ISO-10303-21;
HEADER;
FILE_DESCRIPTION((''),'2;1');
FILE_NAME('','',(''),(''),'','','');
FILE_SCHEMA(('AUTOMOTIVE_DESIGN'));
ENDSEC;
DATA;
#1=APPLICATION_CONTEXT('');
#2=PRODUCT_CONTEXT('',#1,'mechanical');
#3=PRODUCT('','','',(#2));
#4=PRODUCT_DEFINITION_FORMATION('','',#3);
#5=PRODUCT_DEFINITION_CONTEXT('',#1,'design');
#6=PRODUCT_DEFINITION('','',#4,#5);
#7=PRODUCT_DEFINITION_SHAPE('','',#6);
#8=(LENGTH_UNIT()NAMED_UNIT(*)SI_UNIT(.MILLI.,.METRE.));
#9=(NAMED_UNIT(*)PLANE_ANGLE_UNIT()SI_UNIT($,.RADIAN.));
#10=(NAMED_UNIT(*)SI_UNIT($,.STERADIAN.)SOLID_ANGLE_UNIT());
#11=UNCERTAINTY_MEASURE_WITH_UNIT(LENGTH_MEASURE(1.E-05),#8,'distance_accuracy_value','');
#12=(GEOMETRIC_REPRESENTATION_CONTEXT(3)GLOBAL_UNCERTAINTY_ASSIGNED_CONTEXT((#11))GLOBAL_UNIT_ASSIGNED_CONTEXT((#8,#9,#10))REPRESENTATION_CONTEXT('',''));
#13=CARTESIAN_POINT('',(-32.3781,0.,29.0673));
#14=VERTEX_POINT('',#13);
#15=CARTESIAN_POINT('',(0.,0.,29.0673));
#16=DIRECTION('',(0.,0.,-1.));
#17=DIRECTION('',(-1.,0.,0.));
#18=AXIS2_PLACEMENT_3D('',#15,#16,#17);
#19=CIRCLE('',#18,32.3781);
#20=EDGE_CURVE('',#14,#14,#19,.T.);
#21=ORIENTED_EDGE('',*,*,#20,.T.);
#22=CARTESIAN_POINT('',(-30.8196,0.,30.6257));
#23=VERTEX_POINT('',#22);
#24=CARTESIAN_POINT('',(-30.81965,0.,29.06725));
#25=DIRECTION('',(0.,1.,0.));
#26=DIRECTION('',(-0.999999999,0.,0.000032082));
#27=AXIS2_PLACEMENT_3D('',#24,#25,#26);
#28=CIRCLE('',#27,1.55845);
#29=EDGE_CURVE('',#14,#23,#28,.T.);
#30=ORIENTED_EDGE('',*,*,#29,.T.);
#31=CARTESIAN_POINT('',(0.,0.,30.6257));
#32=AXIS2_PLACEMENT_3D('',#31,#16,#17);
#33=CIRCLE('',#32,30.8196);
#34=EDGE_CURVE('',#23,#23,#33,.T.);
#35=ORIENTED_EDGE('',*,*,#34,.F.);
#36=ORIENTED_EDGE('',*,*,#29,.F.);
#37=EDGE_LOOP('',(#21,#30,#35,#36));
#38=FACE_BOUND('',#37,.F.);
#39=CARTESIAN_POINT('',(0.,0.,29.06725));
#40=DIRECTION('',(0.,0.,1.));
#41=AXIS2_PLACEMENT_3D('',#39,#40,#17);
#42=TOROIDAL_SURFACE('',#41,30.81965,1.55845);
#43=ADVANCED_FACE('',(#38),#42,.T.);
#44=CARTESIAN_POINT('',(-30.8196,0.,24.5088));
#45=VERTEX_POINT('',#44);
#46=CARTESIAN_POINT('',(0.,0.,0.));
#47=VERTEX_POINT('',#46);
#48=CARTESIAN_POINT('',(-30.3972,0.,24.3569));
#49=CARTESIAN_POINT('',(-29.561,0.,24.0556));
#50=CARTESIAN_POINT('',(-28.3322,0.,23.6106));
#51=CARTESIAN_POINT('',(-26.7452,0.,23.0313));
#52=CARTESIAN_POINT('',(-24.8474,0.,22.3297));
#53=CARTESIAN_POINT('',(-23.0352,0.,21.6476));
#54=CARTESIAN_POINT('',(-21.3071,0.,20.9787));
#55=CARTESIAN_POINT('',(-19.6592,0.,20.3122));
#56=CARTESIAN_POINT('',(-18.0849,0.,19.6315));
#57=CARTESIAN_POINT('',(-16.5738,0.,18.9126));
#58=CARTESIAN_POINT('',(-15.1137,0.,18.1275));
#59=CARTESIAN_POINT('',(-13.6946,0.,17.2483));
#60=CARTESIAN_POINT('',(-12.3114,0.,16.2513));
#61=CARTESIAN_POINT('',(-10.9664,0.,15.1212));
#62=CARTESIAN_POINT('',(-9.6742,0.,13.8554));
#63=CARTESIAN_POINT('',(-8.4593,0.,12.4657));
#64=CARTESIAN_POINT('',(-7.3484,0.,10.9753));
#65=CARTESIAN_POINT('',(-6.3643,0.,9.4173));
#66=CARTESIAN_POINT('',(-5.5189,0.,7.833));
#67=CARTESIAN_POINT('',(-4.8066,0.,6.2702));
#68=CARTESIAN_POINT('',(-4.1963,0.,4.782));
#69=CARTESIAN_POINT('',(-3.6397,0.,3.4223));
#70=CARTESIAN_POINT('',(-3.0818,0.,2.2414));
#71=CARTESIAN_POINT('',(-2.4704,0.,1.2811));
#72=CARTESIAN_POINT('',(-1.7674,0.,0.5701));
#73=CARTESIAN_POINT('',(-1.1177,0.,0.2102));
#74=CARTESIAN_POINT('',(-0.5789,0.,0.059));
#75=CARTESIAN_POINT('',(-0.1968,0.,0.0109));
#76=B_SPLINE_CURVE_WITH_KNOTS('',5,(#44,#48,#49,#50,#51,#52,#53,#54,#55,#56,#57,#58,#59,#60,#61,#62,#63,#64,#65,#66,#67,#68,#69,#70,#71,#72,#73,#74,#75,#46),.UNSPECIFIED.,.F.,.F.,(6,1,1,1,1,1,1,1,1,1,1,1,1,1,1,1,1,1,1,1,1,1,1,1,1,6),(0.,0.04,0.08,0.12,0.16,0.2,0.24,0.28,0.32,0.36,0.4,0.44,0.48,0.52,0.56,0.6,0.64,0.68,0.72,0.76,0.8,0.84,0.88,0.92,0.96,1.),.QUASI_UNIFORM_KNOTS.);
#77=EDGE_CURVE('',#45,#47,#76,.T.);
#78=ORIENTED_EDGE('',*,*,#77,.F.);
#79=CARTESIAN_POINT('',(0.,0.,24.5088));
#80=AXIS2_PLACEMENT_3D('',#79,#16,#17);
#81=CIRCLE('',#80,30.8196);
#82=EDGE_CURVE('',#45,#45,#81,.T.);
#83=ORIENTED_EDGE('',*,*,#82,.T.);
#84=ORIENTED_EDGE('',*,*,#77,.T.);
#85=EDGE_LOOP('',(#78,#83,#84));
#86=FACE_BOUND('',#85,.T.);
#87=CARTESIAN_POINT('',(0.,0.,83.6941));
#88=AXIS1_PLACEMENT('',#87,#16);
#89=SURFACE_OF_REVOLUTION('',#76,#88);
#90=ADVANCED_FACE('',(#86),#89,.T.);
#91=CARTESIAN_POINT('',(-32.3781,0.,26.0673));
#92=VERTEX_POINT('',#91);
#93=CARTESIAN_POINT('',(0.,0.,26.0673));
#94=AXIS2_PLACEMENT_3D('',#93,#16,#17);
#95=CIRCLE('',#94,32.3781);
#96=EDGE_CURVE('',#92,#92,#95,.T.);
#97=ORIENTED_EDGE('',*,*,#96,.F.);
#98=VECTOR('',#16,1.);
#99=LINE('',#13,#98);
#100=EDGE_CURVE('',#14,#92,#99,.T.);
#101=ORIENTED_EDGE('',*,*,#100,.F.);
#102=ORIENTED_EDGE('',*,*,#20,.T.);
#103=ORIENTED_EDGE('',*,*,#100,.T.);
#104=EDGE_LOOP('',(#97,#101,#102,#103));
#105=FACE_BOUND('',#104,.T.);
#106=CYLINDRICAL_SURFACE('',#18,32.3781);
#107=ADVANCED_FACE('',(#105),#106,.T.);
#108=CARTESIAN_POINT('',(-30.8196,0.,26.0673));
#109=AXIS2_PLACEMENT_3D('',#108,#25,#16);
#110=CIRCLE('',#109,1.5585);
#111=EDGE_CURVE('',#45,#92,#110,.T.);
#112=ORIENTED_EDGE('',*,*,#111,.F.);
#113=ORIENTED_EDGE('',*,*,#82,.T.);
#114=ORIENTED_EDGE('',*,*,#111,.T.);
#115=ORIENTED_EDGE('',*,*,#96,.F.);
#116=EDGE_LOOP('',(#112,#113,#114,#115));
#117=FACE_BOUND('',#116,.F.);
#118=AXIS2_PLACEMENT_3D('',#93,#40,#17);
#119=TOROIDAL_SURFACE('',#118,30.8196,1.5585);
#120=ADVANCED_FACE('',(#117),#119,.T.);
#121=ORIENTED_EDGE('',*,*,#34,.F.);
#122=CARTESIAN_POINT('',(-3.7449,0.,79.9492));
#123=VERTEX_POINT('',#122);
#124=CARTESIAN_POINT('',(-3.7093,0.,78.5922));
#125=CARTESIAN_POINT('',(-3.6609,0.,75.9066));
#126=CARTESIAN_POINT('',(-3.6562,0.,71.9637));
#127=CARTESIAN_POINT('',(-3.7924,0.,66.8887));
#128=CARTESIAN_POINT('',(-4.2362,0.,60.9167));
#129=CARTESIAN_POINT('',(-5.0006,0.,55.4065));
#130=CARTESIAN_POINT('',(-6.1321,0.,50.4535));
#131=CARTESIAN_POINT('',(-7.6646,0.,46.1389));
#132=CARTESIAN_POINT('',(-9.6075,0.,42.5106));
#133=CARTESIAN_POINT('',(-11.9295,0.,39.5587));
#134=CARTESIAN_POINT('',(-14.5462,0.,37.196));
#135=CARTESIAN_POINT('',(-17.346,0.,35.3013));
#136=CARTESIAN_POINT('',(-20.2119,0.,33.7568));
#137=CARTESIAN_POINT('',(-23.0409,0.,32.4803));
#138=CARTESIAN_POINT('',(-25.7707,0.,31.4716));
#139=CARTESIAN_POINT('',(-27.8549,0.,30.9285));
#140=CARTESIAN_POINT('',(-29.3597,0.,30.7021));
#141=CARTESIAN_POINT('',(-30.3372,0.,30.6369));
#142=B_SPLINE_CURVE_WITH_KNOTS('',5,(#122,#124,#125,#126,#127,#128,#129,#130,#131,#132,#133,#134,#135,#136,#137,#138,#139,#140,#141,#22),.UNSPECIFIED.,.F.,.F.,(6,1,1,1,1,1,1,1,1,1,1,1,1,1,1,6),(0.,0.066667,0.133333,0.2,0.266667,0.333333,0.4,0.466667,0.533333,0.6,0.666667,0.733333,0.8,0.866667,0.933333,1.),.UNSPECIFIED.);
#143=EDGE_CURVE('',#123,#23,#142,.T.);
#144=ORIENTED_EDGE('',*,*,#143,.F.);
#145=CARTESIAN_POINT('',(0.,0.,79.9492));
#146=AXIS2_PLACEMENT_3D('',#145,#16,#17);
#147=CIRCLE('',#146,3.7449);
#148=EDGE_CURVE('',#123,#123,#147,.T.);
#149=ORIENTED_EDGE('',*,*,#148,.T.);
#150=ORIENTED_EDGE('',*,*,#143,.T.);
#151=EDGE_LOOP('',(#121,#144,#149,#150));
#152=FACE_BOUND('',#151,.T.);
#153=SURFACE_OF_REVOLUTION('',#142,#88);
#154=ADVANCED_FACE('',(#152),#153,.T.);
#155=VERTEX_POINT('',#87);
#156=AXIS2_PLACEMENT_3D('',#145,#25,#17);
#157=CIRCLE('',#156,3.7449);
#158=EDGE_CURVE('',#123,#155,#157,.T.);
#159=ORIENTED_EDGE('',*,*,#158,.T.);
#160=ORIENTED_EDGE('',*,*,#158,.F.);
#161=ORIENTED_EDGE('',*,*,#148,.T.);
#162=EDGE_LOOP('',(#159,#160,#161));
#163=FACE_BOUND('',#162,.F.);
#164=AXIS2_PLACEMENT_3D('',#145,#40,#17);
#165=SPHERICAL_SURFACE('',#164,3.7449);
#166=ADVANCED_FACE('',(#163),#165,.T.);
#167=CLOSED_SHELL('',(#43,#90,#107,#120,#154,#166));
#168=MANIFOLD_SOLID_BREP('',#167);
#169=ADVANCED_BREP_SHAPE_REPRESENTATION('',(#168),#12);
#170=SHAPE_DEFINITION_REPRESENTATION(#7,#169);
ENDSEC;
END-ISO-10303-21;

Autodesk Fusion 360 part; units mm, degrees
sketch "Sketch1" plane through (0, 0, 0) normal (0, 1, 0) x (1, 0, 0)
  line L0 (0, -1.75) -> (0, -22.5) construction
  line L1 (-9.4555, -79.9492) -> (9.1952, -79.9492) construction
  line L2 (-30.8196, -29.0673) -> (-30.8196, -32) construction
  spline S0 degree 5 poles (-3.7449, -79.9492) (-3.7093, -78.5922) (-3.6609, -75.9066) (-3.6562, -71.9637) (-3.7924, -66.8887) (-4.2362, -60.9167) (-5.0006, -55.4065) (-6.1321, -50.4535) (-7.6646, -46.1389) (-9.6075, -42.5106) (-11.9295, -39.5587) (-14.5462, -37.196) (-17.346, -35.3013) (-20.2119, -33.7568) (-23.0409, -32.4803) (-25.7707, -31.4716) (-27.8549, -30.9285) (-29.3597, -30.7021) (-30.3372, -30.6369) (-30.8196, -30.6257) knots 0 0 0 0 0 0 0.066667 0.133333 0.2 0.266667 0.333333 0.4 0.466667 0.533333 0.6 0.666667 0.733333 0.8 0.866667 0.933333 1 1 1 1 1 1
  line L3 (-3.9366, -87.2665) -> (-3.5532, -72.6319)
  line L4 (-25.7151, -30.7438) -> (-35.9242, -30.5077)
  arc A0 (-32.3781, -29.0673) -> (-30.8196, -30.6257) centre (-30.8196, -29.0673) ccw
  line L5 (-32.3781, -29.0673) -> (-32.3781, -26.0673)
  line L6 (-32.3781, -27.5673) -> (-30, -27.5673) construction
  arc A1 (-30.8196, -24.5088) -> (-32.3781, -26.0673) centre (-30.8196, -26.0673) ccw
  line L7 (0, -83.6941) -> (0, 0)
  spline S1 degree 5 poles (-30.8196, -24.5088) (-30.3972, -24.3569) (-29.561, -24.0556) (-28.3322, -23.6106) (-26.7452, -23.0313) (-24.8474, -22.3297) (-23.0352, -21.6476) (-21.3071, -20.9787) (-19.6592, -20.3122) (-18.0849, -19.6315) (-16.5738, -18.9126) (-15.1137, -18.1275) (-13.6946, -17.2483) (-12.3114, -16.2513) (-10.9664, -15.1212) (-9.6742, -13.8554) (-8.4593, -12.4657) (-7.3484, -10.9753) (-6.3643, -9.4173) (-5.5189, -7.833) (-4.8066, -6.2702) (-4.1963, -4.782) (-3.6397, -3.4223) (-3.0818, -2.2414) (-2.4704, -1.2811) (-1.7674, -0.5701) (-1.1177, -0.2102) (-0.5789, -0.059) (-0.1968, -0.0109) (0, 0) knots 0 0 0 0 0 0 0.04 0.08 0.12 0.16 0.2 0.24 0.28 0.32 0.36 0.4 0.44 0.48 0.52 0.56 0.6 0.64 0.68 0.72 0.76 0.8 0.84 0.88 0.92 0.96 1 1 1 1 1 1
  arc A2 (-3.7449, -79.9492) -> (0, -83.6941) centre (0, -79.9492) ccw
  point P0 (-9.4555, -43.0689)
  point P1 (-21.1598, -33.3629)
  point P2 (-19.4141, -20.1976)
  point P3 (-11.6697, -15.6906)
  point P4 (-5.4488, -7.6288)
  point P5 (-2.5922, -1.5348)
  dimension "d2" = 3
revolve "Revolve1" add sketch "Sketch1" angle 360 about axis through (0, 0, 83.6941) along (0, 0, -1)
